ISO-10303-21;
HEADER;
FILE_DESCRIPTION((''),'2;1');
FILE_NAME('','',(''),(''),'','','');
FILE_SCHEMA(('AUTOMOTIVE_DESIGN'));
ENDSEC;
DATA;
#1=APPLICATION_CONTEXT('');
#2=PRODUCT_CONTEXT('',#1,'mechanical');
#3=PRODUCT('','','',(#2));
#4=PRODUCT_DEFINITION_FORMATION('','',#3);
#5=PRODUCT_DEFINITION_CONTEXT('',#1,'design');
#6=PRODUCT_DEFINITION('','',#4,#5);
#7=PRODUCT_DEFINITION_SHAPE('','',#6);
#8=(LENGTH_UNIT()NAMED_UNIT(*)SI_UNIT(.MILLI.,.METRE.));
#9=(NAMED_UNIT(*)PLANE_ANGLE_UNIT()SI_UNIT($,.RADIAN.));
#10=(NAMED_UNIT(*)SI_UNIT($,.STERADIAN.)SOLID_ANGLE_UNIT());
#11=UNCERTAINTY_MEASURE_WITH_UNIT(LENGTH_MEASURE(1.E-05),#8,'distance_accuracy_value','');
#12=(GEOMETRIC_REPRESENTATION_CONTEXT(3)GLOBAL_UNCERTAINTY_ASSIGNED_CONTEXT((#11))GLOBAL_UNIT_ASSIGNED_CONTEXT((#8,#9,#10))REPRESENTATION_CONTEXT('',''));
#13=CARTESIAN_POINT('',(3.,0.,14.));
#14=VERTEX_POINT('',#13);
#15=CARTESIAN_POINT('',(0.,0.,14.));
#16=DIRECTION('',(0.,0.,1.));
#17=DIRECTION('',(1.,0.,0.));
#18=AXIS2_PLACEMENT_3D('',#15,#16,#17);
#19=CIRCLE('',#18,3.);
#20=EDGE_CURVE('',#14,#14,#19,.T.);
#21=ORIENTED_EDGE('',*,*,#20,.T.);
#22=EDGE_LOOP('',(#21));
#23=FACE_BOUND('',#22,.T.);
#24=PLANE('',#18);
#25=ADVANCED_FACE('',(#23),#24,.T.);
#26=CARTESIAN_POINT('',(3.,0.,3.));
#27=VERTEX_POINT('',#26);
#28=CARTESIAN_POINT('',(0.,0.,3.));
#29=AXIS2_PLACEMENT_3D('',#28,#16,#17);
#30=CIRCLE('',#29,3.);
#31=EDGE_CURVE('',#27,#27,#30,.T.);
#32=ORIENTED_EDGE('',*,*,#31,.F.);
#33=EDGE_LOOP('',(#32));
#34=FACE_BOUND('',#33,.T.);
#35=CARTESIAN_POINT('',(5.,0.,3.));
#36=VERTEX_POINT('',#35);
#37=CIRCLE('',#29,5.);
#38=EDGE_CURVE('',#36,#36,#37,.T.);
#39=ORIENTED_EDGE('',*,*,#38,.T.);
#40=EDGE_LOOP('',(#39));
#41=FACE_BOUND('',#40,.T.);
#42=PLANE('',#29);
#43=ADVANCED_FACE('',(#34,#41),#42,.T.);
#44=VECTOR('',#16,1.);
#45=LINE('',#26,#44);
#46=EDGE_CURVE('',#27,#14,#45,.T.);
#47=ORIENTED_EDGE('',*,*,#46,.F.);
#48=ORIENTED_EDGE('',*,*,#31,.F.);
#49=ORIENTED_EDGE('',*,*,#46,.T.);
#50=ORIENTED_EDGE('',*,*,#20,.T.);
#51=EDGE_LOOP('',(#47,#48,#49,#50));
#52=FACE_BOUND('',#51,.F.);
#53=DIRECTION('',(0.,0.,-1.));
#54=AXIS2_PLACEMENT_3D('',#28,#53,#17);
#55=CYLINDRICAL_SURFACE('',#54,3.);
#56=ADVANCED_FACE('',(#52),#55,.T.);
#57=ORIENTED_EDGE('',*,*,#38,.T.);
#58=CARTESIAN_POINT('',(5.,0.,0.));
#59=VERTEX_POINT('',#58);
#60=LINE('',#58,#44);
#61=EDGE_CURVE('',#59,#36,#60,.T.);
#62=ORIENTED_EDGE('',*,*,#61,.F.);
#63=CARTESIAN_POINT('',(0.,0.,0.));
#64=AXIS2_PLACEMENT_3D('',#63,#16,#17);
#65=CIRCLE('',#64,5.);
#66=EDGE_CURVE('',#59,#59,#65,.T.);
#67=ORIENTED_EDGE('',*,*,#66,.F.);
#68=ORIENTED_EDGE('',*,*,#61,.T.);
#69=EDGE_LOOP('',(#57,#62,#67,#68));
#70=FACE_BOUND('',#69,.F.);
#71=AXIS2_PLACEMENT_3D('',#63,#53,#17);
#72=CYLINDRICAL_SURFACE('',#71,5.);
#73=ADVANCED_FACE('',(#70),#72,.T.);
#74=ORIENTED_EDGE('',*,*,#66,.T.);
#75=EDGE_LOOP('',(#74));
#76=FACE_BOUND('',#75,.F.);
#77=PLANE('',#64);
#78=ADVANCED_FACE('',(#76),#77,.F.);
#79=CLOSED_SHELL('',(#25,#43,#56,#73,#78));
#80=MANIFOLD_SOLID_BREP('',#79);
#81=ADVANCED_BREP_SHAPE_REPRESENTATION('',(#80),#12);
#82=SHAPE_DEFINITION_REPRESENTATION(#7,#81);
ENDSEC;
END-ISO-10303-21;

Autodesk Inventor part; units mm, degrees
ref_plane "YZ Plane" through (0, 0, 0) normal (1, 0, 0) x (0, 1, 0)
ref_plane "XZ Plane" through (0, 0, 0) normal (0, 1, 0) x (-1, 0, 0)
ref_plane "XY Plane" through (0, 0, 0) normal (0, 0, 1) x (1, 0, 0)
sketch "Szkic1" plane through (0, 0, 0) normal (0, 0, 1) x (1, 0, 0)
  circle A0 centre (0, 0) radius 5
  dimension "d0" = 10
extrude "Wyciągnięcie proste1" add sketch "Szkic1" along normal blind 3
sketch "Szkic2" plane through (0, 0, 3) normal (0, 0, 1) x (1, 0, 0)
  circle A0 centre (0, 0) radius 3
  dimension "d3" = 6
extrude "Wyciągnięcie proste2" add sketch "Szkic2" along normal blind 11
properties part number "sworzeń" material "Stal nierdzewna 440C"
